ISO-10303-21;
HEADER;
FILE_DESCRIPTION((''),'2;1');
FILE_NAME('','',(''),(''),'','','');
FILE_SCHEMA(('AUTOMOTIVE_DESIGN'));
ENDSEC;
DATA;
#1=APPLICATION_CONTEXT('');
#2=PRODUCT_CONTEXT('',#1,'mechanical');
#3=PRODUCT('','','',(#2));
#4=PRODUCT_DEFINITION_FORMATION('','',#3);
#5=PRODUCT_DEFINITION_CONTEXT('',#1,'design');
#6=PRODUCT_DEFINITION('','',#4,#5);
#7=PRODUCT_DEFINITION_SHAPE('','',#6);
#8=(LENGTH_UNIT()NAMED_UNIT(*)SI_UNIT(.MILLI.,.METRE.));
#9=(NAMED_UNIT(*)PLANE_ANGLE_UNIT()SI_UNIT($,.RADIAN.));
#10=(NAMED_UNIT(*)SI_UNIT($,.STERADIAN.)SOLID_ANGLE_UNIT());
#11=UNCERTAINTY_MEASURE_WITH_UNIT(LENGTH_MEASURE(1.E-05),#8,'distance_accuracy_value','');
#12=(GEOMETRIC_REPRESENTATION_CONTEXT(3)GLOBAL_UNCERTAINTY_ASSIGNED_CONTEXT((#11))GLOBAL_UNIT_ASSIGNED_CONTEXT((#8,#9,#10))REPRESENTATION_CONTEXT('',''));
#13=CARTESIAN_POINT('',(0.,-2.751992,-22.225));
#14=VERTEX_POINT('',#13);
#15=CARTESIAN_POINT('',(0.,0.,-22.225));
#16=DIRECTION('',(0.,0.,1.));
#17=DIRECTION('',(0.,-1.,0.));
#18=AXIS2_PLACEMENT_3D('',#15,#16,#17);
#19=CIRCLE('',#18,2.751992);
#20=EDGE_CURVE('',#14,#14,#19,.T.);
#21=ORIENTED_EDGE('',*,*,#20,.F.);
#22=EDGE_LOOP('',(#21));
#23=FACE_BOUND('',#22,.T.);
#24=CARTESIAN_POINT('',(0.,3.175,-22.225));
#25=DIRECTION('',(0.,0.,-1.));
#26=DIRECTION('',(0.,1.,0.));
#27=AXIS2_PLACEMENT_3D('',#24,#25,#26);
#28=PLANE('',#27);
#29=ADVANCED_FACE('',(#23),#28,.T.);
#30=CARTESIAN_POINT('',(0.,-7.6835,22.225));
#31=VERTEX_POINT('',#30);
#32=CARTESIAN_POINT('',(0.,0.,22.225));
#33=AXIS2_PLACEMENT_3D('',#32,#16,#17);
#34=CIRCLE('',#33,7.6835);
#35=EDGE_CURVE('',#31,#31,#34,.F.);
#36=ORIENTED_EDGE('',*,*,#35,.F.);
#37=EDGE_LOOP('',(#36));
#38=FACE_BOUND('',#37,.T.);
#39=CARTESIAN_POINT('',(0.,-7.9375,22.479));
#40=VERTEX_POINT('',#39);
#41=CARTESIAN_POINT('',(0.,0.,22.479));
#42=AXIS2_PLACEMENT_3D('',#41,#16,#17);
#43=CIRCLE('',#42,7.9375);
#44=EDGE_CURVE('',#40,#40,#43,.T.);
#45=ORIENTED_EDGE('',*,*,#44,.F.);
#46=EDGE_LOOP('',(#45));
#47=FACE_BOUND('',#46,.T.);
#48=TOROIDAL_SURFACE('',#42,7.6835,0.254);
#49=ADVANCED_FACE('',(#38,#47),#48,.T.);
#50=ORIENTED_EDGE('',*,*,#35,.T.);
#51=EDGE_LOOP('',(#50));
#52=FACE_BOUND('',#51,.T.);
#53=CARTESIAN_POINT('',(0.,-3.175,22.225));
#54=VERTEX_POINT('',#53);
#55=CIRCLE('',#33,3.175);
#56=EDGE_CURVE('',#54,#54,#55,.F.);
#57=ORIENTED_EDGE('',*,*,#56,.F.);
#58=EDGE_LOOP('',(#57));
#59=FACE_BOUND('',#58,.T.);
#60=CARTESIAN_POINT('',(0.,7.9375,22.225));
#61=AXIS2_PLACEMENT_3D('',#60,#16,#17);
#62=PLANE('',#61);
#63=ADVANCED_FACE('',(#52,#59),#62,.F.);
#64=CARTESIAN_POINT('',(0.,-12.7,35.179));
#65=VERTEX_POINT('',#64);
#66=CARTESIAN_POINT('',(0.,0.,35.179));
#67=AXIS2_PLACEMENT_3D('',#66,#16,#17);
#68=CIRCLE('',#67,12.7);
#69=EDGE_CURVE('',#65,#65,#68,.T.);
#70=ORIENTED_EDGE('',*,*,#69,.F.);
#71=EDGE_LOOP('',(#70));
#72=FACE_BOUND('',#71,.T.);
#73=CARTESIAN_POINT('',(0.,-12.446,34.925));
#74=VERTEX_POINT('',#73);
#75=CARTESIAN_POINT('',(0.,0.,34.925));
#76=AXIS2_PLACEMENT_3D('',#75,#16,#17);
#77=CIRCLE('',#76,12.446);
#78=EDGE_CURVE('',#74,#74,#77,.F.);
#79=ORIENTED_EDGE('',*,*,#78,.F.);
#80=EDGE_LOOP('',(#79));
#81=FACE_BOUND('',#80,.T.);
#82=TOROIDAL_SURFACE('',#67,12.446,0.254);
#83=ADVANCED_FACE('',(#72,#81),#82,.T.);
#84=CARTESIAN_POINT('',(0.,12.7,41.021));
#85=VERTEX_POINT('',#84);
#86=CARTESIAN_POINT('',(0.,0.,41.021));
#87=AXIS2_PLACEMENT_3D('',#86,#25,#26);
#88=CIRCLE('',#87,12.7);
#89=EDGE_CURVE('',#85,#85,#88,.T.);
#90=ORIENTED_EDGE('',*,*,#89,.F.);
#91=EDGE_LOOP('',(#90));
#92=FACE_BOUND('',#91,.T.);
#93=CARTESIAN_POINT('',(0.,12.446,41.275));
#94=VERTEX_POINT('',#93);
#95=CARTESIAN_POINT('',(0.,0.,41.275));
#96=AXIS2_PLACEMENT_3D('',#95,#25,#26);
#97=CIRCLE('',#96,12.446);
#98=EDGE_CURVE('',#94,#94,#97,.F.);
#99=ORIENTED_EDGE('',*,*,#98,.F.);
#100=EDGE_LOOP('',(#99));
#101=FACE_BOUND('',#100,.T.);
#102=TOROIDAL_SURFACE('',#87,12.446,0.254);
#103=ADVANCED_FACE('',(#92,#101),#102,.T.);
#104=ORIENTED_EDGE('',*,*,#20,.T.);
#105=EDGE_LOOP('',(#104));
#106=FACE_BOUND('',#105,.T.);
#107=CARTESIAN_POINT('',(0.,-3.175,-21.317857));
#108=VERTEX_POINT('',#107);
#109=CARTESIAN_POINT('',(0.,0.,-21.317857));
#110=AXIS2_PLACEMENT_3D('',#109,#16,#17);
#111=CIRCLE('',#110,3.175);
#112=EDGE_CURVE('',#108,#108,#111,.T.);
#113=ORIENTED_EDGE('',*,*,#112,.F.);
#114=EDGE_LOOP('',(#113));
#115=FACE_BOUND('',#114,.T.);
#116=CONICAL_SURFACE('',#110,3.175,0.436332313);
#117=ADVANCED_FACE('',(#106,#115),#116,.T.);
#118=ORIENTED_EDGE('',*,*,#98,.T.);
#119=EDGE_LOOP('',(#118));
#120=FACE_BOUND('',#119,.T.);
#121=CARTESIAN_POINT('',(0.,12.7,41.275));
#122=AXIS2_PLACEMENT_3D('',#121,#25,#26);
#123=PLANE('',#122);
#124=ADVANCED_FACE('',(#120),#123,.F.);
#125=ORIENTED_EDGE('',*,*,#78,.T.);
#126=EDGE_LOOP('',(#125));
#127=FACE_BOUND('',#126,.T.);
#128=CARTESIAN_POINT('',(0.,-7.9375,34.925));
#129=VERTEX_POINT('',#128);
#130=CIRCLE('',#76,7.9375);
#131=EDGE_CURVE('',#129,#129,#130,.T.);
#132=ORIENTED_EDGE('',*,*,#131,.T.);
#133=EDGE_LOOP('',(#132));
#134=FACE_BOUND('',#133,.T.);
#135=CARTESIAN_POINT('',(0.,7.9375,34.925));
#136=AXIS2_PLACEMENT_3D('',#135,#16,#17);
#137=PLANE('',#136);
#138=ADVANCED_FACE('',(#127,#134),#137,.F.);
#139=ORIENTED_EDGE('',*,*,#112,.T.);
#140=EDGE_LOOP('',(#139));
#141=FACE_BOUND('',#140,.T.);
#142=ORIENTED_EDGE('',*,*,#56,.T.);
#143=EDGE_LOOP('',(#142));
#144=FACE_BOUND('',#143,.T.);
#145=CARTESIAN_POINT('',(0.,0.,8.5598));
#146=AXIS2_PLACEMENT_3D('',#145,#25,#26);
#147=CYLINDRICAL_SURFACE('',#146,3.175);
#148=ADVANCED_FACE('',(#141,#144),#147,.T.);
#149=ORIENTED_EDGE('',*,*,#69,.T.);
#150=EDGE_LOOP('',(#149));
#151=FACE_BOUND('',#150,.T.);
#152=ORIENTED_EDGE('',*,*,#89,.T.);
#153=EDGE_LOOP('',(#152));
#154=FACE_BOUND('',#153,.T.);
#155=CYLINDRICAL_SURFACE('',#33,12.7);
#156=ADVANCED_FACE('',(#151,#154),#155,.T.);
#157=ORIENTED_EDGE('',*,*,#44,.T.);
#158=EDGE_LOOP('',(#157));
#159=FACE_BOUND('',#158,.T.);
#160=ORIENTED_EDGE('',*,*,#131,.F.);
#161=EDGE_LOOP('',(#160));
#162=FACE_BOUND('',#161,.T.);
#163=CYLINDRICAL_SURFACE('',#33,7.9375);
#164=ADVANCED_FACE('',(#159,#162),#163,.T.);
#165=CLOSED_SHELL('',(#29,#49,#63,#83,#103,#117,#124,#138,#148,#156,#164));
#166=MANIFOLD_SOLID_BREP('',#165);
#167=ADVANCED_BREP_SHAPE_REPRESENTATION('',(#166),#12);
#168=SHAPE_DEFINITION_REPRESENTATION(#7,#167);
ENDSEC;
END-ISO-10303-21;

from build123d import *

# Parameters (mm, degrees)
SKETCH1_W = 44.45
SKETCH1_H = 3.175
FILLET1_R = 0.254


with BuildPart() as part:
    # Sketch1 → Revolve1 (revolve)
    with BuildSketch(Plane(origin=(0, 0, 0), x_dir=(0, 0, -1), z_dir=(1, 0, 0))):
        with Locations((0, 1.5875)):
            Rectangle(SKETCH1_W, SKETCH1_H)
    revolve(axis=Axis((0, 0, 8.5598), (0, 0, 1)))

    # Sketch5 → Revolve3 (revolve)
    with BuildSketch(Plane(origin=(0, 0, 0), x_dir=(0, 0, -1), z_dir=(1, 0, 0))):
        Polygon((-22.225, 7.9375), (-34.925, 7.9375), (-34.925, 12.7), (-41.275, 12.7), (-41.275, 0), (-22.225, 0), align=None)
    revolve(axis=Axis((0, 0, 22.225), (0, 0, -1)))

    # Sketch11 → Cut-Revolve4 (revolve, cut)
    with BuildSketch(Plane(origin=(0, 0, 0), x_dir=(0, 0, -1), z_dir=(1, 0, 0))):
        Polygon((21.317857143, 3.175), (22.225, 2.751992339), (22.225, 3.175), align=None)
    revolve(axis=Axis((0, 0, 0), (0, 0, -1)), mode=Mode.SUBTRACT)

    # Fillet1
    fillet1_edges = [part.edges().sort_by_distance(p)[0] for p in [
        (0, -7.9375, 22.225),
        (0, -12.7, 34.925),
        (0, -12.7, 41.275),
    ]]
    fillet(fillet1_edges, radius=FILLET1_R)


solid = part.part
